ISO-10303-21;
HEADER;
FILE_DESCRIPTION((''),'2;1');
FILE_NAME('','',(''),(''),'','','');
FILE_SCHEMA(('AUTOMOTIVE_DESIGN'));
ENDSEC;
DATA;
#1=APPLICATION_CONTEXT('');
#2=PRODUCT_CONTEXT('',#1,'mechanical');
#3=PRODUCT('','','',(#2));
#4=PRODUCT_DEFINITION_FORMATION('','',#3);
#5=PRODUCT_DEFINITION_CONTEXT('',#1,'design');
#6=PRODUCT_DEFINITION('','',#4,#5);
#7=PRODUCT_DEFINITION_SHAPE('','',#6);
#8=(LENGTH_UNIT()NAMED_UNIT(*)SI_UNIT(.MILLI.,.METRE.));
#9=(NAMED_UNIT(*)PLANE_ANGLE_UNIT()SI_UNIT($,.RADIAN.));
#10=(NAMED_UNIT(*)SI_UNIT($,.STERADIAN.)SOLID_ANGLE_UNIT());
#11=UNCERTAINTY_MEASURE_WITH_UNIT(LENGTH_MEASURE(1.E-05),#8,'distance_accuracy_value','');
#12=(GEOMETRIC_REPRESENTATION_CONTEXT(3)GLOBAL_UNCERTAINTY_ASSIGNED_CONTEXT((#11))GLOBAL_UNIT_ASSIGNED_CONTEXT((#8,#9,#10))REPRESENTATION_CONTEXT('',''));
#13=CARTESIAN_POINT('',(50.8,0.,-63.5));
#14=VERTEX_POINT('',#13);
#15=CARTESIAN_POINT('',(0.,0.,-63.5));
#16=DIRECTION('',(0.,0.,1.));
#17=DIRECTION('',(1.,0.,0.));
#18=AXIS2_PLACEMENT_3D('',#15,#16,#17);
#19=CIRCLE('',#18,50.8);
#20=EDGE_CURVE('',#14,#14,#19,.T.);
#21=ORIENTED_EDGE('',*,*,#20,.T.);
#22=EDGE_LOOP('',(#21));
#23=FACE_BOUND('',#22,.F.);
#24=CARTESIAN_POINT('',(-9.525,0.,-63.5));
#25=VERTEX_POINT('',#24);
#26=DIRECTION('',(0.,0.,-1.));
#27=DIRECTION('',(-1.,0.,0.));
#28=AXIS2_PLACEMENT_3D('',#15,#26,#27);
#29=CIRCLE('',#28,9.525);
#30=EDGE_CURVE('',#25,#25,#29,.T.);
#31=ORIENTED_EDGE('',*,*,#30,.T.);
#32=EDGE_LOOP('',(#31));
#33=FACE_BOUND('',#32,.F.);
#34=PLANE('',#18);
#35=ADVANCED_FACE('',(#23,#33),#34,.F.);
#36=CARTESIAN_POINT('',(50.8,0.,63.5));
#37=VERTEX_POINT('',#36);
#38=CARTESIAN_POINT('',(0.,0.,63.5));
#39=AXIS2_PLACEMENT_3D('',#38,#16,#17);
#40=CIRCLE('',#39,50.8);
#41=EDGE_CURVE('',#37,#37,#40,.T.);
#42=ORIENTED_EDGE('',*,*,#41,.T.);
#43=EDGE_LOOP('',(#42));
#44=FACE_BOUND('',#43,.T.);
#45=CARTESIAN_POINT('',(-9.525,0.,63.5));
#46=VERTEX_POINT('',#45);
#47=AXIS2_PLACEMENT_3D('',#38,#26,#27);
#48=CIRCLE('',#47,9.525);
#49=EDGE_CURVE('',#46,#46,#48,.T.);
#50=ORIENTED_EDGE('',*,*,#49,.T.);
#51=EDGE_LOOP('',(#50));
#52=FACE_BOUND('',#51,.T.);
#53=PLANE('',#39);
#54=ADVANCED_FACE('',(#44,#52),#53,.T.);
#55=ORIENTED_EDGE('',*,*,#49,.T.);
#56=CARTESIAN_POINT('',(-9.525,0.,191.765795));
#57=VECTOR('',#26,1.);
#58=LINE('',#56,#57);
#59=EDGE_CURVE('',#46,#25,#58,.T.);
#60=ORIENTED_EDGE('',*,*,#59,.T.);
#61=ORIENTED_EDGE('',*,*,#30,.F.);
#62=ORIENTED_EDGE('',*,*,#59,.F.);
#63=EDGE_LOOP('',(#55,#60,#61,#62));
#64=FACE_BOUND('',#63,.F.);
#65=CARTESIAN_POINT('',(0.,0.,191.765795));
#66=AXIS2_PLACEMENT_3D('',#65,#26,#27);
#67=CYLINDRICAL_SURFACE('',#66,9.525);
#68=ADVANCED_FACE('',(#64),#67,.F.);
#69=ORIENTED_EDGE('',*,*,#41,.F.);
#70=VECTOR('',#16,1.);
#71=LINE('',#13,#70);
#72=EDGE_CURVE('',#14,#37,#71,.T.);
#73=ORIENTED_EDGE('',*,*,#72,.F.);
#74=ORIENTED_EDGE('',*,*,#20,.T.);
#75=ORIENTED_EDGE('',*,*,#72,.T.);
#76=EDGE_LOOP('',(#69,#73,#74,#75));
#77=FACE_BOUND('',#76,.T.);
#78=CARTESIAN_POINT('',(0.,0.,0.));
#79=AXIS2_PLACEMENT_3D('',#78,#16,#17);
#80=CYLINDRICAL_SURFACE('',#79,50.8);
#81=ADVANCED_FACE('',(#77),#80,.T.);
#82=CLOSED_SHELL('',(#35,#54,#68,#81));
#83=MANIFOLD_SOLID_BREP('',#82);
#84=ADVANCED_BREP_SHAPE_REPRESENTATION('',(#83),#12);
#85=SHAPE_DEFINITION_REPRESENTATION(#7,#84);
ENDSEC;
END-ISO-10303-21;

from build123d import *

# Parameters (mm, degrees)
F0_R     = 50.8
F1_DEPTH = 63.5
F2_D     = 19.05
F3_D     = 19.05


with BuildPart() as f1:
    # F0 (on Top) → F1 (new body, symmetric)
    with BuildSketch(Plane.XY):
        Circle(F0_R)
    extrude(amount=F1_DEPTH, both=True)

    # F2 (through all)
    with Locations(Plane.XY):
        with Locations((0, 0)):
            Hole(F2_D / 2)

    # F3 (through all)
    with Locations(Plane(origin=(0, 0, 0), x_dir=(1, 0, 0), z_dir=(0, 0, -1))):
        with Locations((0, 0)):
            Hole(F3_D / 2)


solid = f1.part
